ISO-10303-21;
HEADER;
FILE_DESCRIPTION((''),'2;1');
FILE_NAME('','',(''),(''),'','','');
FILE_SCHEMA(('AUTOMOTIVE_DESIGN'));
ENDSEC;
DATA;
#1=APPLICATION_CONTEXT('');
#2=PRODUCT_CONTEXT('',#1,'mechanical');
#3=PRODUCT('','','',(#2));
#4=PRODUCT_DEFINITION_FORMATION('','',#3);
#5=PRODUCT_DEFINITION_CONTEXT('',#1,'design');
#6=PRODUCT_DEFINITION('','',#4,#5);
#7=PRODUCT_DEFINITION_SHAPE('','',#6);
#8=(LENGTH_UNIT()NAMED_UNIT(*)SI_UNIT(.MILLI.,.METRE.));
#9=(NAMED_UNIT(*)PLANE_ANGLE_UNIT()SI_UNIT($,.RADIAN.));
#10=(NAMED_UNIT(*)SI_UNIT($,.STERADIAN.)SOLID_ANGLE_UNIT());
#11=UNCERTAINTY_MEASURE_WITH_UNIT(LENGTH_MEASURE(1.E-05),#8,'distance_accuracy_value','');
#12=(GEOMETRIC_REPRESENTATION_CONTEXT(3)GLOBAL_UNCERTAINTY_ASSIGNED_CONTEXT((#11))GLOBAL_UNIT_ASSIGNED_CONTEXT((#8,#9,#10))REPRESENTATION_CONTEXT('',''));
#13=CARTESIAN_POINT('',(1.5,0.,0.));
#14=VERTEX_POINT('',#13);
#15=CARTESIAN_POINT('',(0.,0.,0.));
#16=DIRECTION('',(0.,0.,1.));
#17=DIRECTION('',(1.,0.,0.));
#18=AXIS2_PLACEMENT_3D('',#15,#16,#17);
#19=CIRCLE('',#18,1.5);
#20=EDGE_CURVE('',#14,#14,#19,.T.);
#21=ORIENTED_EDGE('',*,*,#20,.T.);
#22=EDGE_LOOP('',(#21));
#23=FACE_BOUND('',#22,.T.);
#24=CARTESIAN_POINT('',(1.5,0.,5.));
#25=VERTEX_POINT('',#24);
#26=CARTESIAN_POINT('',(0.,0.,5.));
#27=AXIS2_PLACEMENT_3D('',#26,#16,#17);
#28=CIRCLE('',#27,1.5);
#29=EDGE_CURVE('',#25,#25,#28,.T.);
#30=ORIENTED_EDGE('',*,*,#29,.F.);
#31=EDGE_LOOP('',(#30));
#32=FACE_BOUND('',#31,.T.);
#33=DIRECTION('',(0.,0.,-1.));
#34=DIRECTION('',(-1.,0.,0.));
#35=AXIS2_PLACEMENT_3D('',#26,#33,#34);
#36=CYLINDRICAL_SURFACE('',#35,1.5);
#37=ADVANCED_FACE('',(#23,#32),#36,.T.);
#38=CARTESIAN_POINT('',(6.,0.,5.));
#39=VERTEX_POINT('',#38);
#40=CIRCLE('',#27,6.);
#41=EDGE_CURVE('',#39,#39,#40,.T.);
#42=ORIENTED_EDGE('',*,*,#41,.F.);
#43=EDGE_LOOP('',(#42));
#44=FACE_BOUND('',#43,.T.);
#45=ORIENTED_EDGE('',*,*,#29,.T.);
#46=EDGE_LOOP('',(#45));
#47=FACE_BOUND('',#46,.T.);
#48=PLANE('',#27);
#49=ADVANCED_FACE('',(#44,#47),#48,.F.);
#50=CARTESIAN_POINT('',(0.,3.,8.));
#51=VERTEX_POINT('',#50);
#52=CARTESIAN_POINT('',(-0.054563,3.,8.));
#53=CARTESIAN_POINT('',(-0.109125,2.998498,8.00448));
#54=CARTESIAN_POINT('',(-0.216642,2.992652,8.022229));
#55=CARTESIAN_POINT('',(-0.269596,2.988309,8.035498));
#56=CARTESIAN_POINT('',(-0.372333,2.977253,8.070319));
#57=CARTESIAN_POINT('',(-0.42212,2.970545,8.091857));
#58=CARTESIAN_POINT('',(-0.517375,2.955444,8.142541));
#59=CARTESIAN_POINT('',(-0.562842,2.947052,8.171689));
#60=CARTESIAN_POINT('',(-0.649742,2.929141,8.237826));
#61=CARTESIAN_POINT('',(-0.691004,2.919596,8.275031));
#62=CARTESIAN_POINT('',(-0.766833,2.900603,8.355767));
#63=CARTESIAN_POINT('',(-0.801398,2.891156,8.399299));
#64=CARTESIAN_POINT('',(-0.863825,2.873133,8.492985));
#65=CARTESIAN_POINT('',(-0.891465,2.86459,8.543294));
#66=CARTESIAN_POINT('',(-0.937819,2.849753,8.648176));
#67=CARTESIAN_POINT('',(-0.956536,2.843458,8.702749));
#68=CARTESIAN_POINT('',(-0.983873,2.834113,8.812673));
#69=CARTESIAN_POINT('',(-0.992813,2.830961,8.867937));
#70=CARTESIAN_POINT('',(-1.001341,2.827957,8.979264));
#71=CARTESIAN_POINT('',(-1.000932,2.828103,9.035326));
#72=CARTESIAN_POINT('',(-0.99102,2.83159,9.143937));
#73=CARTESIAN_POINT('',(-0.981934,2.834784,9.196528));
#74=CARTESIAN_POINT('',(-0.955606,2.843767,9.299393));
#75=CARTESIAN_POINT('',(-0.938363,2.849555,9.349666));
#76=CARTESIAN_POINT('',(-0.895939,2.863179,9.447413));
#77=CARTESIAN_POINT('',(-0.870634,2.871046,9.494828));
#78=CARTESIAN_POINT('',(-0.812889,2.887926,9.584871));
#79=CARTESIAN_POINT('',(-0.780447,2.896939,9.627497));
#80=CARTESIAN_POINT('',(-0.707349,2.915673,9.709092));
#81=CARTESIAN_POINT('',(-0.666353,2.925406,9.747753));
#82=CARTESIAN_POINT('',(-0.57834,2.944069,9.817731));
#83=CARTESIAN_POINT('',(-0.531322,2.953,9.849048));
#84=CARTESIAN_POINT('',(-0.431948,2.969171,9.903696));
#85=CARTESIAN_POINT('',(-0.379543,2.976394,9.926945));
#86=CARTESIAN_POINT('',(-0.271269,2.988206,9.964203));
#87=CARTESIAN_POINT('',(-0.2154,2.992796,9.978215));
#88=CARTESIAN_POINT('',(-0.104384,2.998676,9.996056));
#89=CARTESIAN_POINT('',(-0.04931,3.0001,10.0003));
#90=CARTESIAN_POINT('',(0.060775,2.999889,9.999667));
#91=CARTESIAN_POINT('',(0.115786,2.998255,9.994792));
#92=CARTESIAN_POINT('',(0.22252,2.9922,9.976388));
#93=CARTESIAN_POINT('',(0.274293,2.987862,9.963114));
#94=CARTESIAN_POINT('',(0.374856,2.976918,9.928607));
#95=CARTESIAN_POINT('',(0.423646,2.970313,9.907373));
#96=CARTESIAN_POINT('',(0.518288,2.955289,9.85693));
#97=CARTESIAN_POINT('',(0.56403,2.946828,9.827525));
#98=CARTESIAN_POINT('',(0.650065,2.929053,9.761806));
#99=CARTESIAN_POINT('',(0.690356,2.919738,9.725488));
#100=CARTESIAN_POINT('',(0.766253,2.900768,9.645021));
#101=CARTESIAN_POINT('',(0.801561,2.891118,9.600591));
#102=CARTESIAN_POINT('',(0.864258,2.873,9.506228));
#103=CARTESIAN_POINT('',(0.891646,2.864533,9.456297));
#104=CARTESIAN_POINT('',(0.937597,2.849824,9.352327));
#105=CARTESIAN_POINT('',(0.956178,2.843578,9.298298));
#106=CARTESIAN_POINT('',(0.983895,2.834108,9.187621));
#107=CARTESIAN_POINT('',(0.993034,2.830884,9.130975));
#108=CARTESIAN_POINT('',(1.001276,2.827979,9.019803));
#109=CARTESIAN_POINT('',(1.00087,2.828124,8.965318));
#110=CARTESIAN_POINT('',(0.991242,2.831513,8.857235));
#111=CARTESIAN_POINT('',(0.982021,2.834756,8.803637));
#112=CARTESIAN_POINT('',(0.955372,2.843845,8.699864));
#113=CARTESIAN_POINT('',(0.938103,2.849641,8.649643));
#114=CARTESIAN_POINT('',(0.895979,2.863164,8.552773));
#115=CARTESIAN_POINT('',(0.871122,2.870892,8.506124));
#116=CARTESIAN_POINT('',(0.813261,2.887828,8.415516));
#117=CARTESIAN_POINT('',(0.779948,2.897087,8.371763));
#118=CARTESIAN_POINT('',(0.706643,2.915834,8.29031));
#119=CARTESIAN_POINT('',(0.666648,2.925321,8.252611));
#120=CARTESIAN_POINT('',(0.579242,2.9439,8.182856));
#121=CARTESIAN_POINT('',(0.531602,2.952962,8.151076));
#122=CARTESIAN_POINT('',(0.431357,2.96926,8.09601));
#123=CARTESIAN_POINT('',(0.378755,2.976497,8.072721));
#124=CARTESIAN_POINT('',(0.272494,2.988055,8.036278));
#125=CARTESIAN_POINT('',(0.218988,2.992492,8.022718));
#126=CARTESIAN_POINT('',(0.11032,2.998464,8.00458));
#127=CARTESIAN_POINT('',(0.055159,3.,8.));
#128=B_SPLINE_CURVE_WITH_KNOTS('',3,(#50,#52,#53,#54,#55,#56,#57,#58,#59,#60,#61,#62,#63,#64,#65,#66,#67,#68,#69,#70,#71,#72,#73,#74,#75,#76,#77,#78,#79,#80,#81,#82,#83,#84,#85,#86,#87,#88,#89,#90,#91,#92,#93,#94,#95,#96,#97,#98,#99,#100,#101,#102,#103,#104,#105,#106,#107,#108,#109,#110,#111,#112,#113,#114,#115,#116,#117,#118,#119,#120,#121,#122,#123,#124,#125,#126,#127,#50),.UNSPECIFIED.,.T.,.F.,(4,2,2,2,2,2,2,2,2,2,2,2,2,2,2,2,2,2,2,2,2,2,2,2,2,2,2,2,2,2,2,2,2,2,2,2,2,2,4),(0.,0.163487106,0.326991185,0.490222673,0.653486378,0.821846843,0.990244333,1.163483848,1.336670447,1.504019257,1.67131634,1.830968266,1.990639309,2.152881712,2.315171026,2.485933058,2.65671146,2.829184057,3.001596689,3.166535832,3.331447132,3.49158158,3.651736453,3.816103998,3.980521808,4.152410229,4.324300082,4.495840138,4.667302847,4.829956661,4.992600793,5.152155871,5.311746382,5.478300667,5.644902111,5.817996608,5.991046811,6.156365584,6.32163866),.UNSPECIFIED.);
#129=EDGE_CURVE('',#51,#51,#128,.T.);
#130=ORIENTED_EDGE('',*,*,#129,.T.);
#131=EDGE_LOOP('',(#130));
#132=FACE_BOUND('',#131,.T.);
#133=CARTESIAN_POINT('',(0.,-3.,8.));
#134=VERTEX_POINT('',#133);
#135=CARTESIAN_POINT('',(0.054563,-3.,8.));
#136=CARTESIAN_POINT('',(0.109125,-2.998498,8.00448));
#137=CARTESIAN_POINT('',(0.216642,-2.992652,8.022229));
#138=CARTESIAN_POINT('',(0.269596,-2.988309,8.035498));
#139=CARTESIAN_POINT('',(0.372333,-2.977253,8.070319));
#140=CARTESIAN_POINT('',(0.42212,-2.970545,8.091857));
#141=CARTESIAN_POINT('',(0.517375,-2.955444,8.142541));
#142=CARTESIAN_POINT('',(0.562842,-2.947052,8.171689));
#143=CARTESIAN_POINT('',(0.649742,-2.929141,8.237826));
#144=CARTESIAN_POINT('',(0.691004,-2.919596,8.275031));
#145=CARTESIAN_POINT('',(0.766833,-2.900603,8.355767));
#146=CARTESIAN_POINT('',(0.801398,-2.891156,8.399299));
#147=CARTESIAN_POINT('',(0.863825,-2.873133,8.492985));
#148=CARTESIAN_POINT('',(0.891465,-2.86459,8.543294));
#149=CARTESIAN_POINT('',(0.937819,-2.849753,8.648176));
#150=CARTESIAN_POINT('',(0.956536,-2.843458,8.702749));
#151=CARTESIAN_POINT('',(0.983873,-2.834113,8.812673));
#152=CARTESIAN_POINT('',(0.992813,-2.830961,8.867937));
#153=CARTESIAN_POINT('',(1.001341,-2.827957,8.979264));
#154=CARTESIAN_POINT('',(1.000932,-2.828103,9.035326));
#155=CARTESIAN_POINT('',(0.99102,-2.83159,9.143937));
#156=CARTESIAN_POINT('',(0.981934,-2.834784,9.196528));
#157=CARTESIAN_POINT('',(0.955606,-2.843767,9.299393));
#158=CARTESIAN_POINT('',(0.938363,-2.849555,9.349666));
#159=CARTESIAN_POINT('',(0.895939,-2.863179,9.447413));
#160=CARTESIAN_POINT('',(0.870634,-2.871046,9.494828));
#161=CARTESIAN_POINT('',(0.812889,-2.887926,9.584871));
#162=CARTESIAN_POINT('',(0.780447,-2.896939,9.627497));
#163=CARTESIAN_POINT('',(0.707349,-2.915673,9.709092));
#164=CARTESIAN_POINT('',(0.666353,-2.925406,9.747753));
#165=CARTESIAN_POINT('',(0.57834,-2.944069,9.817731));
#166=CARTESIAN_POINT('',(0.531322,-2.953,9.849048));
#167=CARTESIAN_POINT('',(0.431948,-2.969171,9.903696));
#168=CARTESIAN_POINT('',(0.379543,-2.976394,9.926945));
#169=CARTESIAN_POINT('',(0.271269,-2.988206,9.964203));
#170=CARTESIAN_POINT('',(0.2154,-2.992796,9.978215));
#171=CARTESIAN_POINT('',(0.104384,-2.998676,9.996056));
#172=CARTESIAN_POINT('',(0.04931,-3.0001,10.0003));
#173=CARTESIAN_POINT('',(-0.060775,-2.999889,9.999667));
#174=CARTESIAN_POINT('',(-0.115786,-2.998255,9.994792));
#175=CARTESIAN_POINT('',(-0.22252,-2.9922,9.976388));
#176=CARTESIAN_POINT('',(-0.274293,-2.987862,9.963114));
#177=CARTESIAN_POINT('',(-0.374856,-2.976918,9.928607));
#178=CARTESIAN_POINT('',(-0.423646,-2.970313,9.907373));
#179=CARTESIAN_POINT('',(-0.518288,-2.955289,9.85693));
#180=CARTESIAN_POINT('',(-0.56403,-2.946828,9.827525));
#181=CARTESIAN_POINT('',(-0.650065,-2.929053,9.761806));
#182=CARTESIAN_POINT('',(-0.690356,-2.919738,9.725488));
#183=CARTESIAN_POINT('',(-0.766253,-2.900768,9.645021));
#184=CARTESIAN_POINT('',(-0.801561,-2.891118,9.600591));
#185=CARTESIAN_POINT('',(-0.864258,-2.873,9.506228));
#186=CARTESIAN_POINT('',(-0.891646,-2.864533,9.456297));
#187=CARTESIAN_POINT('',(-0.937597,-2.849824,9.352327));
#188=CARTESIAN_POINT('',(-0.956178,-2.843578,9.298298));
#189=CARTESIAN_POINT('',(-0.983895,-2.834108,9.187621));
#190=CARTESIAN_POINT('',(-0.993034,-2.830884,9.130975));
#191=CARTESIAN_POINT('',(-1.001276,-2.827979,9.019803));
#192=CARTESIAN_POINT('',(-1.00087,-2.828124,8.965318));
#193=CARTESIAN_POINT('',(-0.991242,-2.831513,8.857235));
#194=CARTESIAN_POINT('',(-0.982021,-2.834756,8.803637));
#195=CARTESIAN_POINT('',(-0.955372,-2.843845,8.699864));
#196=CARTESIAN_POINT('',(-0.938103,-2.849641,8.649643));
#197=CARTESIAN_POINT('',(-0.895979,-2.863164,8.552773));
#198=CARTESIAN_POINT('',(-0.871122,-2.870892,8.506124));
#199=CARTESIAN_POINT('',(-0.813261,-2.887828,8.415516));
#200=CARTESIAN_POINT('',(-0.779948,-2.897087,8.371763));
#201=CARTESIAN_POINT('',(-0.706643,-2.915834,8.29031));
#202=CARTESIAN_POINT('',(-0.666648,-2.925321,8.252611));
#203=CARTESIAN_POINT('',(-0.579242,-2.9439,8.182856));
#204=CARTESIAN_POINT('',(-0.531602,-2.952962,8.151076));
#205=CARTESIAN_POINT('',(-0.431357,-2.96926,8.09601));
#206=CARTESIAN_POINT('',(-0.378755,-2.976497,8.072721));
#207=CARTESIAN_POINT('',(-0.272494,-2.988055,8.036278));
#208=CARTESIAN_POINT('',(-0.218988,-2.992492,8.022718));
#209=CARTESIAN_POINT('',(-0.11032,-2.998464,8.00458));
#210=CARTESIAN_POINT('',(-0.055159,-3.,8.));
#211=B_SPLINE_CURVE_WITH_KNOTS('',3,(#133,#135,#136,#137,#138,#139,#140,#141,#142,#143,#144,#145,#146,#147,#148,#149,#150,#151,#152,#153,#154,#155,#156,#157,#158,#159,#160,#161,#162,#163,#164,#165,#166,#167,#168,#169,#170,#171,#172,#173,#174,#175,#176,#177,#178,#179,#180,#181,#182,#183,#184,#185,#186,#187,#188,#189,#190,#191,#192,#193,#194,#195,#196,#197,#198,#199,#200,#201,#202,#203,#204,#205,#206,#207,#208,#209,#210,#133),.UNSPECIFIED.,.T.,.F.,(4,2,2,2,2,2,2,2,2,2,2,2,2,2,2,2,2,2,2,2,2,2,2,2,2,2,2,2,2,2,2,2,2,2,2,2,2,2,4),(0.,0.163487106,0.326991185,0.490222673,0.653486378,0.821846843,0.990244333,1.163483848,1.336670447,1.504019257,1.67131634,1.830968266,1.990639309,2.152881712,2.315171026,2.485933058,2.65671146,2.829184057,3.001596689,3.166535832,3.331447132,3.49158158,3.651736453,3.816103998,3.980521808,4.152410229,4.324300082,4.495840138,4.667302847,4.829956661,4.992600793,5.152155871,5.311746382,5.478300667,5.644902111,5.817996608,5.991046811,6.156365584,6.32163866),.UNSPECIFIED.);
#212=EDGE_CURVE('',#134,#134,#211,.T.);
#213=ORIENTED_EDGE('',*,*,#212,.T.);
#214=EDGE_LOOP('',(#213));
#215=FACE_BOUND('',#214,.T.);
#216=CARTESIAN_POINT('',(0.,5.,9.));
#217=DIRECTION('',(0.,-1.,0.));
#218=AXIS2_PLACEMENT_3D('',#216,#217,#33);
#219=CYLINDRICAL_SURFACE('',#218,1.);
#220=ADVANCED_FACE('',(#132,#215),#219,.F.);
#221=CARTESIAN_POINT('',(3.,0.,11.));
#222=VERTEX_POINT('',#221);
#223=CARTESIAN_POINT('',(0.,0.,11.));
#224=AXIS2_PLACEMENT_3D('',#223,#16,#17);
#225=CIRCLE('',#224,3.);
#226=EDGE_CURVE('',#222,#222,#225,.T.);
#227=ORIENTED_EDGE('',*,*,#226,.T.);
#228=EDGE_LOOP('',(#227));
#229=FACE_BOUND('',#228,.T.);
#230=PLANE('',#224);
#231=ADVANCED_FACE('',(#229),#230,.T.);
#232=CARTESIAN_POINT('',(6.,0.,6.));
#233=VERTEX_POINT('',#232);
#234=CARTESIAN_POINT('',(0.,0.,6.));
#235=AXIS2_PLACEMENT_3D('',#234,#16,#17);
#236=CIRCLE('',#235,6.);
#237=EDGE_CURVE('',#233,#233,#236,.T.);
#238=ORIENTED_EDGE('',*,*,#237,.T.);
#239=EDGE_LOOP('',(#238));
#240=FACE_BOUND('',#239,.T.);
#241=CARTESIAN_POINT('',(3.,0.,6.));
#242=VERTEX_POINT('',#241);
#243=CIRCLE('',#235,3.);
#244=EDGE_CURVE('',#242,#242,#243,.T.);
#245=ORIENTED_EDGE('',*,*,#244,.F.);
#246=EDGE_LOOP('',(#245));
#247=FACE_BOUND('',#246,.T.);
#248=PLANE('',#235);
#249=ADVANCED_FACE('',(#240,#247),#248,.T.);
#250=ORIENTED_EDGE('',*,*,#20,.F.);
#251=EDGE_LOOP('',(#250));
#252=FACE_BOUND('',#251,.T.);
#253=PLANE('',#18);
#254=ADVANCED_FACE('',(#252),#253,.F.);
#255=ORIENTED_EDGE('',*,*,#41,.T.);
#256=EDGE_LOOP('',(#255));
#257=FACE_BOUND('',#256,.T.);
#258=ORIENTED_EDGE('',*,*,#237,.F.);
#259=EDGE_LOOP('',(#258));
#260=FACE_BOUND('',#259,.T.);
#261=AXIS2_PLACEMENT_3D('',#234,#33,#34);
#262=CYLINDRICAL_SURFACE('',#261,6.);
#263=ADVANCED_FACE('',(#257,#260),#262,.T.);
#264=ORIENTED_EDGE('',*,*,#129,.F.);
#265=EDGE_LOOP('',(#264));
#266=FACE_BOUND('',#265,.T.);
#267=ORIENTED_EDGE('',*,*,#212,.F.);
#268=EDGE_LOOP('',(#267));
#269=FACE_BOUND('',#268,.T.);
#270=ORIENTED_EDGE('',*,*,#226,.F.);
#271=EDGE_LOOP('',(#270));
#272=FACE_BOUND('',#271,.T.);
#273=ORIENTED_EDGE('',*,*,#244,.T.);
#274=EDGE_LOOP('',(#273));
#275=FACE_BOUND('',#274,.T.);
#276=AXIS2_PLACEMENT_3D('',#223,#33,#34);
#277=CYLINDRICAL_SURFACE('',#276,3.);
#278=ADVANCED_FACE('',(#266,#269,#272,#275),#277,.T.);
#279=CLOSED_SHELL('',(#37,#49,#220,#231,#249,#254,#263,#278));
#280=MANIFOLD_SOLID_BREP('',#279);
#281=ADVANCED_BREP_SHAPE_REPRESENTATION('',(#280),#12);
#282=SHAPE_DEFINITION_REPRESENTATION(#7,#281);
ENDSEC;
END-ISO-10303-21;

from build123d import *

# Parameters (mm, degrees)
ESQUISSE1_R                  = 1.5
BOSS_EXTRU_1_DEPTH           = 5
ESQUISSE2_R                  = 6
BOSS_EXTRU_2_DEPTH           = 1
ESQUISSE3_R                  = 3
BOSS_EXTRU_3_DEPTH           = 5
ENL_V_MAT_EXTRU_1_DEPTH      = 5
ENL_V_MAT_EXTRU_1_DEPTH_BACK = 5
ESQUISSE4_R                  = 1


with BuildPart() as part:
    # Esquisse1 → Boss.-Extru.1 (new body)
    with BuildSketch(Plane.XY):
        Circle(ESQUISSE1_R)
    extrude(amount=BOSS_EXTRU_1_DEPTH)

    # Esquisse2 → Boss.-Extru.2 (add)
    with BuildSketch(Plane.XY.offset(5)):
        Circle(ESQUISSE2_R)
    extrude(amount=BOSS_EXTRU_2_DEPTH)

    # Esquisse3 → Boss.-Extru.3 (add)
    with BuildSketch(Plane.XY.offset(6)):
        Circle(ESQUISSE3_R)
    extrude(amount=BOSS_EXTRU_3_DEPTH)

    # Esquisse4 → Enlèv. mat.-Extru.1 (cut, two sides: drawn at the far end of the back side and taken through both)
    with BuildSketch(Plane(origin=(0, 0, 0), x_dir=(1, 0, 0), z_dir=(0, 1, 0)).offset(-ENL_V_MAT_EXTRU_1_DEPTH_BACK)):
        with Locations((0, -9)):
            Circle(ESQUISSE4_R)
    extrude(amount=ENL_V_MAT_EXTRU_1_DEPTH + ENL_V_MAT_EXTRU_1_DEPTH_BACK, mode=Mode.SUBTRACT)


solid = part.part
